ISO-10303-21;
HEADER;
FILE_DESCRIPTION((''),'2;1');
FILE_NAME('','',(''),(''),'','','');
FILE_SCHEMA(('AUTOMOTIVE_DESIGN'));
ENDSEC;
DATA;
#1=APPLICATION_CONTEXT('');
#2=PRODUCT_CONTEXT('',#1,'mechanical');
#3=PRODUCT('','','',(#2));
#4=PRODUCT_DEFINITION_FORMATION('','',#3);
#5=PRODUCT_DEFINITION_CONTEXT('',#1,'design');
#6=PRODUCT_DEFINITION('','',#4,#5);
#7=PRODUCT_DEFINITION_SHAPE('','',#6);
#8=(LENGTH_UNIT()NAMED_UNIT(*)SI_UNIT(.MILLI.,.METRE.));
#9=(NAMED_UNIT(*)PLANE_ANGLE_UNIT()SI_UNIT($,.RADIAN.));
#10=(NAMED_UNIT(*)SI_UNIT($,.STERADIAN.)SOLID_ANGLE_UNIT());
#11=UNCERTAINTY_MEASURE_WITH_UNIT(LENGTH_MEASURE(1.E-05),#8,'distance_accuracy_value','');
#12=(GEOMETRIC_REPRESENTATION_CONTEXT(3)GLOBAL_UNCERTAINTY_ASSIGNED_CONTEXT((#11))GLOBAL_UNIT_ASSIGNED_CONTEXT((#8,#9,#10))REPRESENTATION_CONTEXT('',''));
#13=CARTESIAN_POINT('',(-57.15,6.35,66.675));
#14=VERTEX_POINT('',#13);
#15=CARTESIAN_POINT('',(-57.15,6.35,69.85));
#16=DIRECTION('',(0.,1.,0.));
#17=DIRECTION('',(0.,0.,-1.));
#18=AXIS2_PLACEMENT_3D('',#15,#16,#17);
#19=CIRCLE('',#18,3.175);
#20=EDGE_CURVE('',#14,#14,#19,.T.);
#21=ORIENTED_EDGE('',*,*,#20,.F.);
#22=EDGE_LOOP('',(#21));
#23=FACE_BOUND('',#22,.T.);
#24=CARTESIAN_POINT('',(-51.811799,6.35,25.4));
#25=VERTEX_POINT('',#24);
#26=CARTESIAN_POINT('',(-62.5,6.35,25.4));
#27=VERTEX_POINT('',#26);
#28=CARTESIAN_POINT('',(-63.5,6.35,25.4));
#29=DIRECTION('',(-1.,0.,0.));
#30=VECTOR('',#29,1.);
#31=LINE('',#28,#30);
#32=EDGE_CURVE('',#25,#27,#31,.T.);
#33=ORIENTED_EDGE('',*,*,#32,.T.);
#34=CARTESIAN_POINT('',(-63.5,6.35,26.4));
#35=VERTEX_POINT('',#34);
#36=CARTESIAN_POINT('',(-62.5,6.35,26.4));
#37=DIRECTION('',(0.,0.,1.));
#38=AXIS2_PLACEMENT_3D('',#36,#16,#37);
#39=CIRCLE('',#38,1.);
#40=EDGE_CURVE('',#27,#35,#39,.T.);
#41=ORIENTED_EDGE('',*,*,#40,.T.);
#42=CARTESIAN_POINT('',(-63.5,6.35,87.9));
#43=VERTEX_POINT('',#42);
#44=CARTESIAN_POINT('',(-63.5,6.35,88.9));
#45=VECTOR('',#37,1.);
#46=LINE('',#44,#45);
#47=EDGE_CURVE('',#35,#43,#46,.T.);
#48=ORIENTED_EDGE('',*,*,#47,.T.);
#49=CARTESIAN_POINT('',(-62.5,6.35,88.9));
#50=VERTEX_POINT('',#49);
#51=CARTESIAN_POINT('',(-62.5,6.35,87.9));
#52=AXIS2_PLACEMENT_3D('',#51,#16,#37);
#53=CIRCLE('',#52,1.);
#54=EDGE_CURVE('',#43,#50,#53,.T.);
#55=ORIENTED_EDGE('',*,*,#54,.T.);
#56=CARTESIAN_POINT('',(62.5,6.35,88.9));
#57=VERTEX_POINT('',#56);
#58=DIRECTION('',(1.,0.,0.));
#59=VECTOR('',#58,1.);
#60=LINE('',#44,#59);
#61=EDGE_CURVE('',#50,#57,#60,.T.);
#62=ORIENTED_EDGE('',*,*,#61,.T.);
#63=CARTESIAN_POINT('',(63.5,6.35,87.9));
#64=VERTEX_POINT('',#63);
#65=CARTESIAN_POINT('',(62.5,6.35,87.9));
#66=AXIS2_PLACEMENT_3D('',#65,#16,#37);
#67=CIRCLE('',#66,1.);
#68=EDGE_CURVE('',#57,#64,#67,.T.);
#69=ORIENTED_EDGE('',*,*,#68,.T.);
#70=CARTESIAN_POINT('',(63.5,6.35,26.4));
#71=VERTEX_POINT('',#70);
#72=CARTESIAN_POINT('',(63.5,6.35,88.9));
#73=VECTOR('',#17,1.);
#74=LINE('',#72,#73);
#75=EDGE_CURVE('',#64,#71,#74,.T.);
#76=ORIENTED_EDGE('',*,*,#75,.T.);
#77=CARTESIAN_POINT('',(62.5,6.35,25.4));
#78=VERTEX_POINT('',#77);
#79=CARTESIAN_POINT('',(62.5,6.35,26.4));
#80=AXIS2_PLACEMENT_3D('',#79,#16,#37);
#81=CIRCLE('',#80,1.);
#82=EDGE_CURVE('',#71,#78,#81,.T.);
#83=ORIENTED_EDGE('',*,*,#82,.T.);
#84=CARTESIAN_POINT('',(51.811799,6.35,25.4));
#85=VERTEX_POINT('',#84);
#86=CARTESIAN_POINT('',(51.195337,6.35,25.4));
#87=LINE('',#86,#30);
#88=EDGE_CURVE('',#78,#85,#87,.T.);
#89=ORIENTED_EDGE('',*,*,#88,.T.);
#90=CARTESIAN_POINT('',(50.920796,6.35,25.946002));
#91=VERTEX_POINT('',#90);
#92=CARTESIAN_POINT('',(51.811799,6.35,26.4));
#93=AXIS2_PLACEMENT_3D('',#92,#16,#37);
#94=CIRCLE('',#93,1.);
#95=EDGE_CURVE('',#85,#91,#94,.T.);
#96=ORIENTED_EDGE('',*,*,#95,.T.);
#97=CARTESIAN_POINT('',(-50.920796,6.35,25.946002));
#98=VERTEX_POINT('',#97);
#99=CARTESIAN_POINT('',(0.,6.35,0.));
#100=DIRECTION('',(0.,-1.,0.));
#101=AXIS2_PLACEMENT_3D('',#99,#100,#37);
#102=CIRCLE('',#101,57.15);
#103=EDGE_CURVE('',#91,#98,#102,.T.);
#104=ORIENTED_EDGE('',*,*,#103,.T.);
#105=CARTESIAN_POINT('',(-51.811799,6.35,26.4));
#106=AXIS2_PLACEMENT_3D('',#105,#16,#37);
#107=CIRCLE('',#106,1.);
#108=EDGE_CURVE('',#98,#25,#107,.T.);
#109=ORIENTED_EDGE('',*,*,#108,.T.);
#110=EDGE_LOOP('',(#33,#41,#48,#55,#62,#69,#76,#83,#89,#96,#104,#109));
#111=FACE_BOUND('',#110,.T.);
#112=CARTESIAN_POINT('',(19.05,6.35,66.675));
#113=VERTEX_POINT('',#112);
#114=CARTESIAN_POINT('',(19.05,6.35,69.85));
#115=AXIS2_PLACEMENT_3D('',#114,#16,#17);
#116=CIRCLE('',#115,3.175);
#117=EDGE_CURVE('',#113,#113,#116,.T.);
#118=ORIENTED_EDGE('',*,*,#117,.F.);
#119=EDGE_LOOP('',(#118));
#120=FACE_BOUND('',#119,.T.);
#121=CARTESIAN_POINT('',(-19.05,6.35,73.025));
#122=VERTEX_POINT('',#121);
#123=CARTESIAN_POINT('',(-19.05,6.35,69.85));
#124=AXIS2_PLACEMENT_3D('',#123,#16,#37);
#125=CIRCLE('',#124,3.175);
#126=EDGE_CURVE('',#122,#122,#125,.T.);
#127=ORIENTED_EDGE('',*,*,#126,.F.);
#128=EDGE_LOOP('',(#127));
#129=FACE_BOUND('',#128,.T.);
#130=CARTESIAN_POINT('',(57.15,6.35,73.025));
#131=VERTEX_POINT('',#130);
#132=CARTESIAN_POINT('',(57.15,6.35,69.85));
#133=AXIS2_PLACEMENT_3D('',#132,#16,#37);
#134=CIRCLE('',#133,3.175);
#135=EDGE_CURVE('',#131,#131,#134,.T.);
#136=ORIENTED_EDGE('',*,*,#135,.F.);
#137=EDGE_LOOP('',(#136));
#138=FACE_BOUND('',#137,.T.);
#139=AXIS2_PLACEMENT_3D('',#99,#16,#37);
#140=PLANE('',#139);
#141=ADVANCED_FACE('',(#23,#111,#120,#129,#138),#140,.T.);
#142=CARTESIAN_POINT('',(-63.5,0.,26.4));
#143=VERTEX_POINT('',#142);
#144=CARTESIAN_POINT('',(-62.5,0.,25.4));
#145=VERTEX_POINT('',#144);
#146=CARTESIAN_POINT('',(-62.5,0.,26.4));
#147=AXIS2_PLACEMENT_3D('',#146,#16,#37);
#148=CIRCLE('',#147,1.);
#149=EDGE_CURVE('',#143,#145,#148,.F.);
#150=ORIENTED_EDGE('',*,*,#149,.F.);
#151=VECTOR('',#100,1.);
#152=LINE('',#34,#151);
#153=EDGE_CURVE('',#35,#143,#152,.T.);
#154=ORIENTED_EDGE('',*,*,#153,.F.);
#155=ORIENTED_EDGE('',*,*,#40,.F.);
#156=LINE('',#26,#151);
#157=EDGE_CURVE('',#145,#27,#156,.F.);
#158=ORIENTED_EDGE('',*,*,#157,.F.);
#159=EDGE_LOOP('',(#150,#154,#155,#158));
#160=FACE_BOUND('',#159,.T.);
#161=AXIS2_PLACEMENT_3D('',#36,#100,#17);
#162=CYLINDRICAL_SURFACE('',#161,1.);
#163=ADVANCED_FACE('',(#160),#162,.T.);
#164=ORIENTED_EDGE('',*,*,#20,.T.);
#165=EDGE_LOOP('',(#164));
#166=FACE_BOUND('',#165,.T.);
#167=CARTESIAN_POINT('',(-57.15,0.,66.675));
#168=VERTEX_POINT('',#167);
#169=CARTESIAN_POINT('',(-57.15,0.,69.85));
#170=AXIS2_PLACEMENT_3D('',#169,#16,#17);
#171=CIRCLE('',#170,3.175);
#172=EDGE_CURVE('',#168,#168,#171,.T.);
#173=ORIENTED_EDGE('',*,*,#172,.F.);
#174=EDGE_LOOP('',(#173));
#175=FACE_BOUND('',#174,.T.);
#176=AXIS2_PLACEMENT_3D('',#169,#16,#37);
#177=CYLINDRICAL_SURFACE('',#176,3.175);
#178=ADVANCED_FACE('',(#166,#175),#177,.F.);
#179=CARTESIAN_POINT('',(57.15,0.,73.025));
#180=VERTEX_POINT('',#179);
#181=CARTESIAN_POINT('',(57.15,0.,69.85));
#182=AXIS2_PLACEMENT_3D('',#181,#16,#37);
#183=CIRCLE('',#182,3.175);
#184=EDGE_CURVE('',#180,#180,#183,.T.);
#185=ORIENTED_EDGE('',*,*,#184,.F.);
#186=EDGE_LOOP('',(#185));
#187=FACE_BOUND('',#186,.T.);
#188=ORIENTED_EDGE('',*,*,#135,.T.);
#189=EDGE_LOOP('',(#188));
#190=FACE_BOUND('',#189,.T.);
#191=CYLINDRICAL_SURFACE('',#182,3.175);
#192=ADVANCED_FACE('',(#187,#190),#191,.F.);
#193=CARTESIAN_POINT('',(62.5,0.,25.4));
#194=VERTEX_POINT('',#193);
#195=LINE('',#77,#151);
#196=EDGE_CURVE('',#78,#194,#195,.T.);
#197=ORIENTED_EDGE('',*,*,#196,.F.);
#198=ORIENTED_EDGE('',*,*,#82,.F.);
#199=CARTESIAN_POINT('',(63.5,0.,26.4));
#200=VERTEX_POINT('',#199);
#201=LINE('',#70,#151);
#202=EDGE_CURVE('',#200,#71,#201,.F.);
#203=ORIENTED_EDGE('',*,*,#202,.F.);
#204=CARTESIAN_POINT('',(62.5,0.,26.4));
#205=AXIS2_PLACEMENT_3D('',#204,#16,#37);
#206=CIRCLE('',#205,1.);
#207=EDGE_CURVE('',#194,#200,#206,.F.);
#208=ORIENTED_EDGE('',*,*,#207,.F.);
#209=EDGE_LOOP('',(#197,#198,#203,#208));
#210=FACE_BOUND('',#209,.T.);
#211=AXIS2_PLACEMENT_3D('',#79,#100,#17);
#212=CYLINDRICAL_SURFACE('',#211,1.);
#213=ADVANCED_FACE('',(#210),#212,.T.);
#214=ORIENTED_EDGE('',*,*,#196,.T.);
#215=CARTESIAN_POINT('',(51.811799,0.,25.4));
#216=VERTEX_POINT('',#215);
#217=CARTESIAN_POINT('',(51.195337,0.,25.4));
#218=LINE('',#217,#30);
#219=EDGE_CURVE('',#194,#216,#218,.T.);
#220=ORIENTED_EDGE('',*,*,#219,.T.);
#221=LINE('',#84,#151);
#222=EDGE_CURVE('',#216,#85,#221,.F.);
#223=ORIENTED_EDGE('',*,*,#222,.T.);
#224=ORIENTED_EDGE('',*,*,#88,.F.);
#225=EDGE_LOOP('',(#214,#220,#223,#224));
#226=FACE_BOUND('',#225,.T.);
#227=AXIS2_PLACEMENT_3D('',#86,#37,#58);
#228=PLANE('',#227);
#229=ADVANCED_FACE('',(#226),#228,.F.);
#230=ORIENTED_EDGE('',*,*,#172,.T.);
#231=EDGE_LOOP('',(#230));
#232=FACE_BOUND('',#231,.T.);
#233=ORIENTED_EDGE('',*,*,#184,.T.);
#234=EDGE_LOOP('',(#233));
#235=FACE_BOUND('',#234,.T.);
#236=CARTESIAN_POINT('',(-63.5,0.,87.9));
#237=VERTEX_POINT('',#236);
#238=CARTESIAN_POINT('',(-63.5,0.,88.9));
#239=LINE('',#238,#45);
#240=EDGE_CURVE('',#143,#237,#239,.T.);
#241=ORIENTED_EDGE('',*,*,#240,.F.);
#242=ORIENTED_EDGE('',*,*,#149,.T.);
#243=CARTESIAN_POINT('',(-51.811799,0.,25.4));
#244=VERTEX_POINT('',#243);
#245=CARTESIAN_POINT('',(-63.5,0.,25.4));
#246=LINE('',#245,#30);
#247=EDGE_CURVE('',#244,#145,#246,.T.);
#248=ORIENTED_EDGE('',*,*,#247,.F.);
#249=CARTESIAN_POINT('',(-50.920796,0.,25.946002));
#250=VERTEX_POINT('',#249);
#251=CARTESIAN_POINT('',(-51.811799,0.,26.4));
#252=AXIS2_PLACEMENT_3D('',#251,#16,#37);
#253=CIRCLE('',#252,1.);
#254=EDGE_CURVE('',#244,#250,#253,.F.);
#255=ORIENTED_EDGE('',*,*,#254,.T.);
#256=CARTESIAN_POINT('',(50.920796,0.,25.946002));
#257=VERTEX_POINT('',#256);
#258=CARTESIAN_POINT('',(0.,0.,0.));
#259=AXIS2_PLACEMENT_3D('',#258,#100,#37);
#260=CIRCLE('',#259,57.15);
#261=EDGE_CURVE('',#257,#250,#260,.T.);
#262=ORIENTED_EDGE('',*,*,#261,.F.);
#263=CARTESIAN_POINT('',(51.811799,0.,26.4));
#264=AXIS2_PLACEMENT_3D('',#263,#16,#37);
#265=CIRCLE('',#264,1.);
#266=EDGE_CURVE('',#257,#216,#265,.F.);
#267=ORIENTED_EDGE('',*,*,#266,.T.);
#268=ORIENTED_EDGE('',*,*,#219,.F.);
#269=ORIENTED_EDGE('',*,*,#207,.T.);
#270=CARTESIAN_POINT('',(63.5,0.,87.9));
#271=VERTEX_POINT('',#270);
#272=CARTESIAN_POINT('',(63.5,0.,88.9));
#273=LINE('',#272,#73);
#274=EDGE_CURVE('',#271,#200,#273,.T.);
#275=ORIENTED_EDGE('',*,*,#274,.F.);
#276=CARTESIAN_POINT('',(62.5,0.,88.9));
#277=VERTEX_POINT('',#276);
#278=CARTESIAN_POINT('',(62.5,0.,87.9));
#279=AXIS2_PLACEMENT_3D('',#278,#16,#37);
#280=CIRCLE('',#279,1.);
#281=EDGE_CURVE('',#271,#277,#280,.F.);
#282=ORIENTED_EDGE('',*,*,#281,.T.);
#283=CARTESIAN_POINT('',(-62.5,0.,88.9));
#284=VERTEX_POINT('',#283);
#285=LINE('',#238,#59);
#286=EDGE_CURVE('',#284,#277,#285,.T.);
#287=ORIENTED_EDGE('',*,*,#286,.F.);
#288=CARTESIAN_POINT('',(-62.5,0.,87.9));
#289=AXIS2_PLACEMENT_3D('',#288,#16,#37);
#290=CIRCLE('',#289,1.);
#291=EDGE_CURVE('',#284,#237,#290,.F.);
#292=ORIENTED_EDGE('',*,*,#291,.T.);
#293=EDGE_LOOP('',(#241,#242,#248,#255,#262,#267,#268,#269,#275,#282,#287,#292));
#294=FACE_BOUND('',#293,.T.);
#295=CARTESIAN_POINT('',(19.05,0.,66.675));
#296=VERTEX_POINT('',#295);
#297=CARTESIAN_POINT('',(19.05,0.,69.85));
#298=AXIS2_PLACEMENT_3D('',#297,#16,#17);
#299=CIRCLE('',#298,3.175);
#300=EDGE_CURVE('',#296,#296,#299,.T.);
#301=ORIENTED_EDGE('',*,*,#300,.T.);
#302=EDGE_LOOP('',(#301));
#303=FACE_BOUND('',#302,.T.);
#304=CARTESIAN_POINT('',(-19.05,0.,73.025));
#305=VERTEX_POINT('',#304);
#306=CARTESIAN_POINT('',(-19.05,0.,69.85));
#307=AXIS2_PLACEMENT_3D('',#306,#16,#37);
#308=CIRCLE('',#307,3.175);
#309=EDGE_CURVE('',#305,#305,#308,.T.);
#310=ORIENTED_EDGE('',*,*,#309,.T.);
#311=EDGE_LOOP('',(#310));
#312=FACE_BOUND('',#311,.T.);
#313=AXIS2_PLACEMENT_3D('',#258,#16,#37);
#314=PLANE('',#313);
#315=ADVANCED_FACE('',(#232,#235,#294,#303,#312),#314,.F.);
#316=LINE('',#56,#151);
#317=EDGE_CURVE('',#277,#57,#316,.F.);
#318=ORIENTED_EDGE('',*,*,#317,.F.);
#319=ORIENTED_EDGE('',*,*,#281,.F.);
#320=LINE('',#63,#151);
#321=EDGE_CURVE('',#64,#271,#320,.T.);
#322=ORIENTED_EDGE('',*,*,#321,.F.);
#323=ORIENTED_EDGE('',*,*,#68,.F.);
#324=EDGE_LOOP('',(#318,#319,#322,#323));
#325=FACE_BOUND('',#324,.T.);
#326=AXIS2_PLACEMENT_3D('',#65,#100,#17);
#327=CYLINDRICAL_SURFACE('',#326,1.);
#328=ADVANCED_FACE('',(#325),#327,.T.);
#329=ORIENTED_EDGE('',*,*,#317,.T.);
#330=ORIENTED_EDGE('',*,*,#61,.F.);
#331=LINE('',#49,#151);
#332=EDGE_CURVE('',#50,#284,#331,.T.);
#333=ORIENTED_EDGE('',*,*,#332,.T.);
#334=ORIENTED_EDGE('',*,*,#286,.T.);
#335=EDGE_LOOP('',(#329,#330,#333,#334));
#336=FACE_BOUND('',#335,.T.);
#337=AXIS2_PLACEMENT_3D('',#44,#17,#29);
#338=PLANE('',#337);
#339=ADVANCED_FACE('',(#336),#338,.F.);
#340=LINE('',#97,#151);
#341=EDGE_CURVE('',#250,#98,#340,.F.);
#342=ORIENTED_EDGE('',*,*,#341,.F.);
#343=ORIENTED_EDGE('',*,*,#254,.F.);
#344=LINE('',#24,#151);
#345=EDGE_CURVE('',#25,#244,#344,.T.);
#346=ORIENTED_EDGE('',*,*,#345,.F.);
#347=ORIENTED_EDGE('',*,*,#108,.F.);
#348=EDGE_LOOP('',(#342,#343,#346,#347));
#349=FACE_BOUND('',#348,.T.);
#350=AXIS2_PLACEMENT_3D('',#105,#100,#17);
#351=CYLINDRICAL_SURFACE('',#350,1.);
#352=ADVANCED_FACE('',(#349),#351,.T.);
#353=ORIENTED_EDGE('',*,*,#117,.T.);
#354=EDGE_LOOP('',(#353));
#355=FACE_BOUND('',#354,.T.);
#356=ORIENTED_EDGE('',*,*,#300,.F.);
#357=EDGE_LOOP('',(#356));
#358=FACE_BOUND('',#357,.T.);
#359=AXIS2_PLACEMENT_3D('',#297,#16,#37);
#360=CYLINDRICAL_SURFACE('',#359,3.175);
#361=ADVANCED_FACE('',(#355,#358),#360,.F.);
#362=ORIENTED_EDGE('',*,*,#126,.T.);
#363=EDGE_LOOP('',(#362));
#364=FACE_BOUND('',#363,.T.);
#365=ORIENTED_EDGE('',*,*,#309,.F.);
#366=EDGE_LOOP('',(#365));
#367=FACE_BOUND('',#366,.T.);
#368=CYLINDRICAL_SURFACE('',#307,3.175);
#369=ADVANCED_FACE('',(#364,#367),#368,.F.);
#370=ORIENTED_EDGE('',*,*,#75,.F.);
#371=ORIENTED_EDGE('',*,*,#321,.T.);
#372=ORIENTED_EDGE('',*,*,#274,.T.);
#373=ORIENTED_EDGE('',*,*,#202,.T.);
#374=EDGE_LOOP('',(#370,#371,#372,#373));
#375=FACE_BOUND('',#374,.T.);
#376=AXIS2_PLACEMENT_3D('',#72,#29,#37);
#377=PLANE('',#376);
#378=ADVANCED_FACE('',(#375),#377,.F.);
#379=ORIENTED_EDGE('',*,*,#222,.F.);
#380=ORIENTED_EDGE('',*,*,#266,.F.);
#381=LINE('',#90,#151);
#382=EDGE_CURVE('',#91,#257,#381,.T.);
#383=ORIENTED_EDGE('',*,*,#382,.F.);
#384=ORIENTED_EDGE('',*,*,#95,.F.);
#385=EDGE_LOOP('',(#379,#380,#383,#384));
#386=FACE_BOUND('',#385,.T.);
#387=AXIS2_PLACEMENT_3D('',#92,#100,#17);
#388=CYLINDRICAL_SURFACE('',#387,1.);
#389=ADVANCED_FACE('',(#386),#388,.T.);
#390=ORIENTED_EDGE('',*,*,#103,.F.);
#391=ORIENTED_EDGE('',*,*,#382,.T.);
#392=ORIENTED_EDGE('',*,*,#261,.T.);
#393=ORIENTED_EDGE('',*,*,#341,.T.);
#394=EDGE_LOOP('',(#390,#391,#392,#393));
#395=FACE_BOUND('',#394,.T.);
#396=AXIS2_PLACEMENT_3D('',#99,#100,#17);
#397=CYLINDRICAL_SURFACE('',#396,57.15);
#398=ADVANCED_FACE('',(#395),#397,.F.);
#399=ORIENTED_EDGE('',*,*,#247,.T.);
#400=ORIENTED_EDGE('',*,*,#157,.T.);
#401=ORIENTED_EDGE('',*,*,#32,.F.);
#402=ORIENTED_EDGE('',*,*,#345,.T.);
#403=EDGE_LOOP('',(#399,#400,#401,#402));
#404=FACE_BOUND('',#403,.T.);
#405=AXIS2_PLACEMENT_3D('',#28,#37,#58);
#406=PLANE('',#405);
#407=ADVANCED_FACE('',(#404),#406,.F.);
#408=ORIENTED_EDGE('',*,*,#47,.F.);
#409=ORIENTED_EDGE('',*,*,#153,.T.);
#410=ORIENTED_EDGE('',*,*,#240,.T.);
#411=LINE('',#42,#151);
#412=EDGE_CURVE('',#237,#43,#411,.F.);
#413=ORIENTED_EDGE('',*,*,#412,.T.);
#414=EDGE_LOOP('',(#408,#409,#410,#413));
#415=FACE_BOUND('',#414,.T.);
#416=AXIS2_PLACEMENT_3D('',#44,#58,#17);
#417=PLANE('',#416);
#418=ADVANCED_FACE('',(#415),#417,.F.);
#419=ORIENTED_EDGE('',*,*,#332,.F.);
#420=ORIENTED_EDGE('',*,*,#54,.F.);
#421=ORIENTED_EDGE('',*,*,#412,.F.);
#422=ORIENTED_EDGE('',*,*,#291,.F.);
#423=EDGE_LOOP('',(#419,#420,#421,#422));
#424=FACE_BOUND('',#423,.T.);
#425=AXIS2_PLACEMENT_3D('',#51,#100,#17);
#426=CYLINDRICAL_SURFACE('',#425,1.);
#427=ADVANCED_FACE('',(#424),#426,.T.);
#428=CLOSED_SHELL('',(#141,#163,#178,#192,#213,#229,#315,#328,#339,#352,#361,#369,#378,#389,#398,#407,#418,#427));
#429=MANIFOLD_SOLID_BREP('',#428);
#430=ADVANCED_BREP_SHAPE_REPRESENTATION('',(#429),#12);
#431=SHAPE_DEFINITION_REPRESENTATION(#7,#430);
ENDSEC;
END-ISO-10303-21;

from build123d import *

# Parameters (mm, degrees)
BOSS_EXTRUDE1_DEPTH = 6.35
SKETCH2_R           = 3.175
CUT_EXTRUDE1_DEPTH  = 110.433918417
FILLET1_R           = 1


with BuildPart() as part:
    # Sketch1 → Boss-Extrude1 (new body)
    with BuildSketch(Plane(origin=(0, 0, 0), x_dir=(1, 0, 0), z_dir=(0, 1, 0))):
        with BuildLine():
            Line((51.195336702, -25.4), (63.5, -25.4))
            Line((63.5, -25.4), (63.5, -88.9))
            Line((63.5, -88.9), (-63.5, -88.9))
            Line((-63.5, -88.9), (-63.5, -25.4))
            Line((-63.5, -25.4), (-51.195336702, -25.4))
            ThreePointArc((-51.195336702, -25.4), (0, -57.15), (51.195336702, -25.4))
        make_face()
    extrude(amount=BOSS_EXTRUDE1_DEPTH)

    # Sketch2 → Cut-Extrude1 (cut, through all)
    with BuildSketch(Plane(origin=(0, 6.35, 0), x_dir=(-1, 0, 0), z_dir=(0, 1, 0))):
        with Locations(Location((19.05, 69.85, 0), (0, 0, 90))):
            Circle(SKETCH2_R)
        with Locations(Location((-19.05, 69.85, 0), (0, 0, 270))):
            Circle(SKETCH2_R)
        with Locations(Location((-57.15, 69.85, 0), (0, 0, 90))):
            Circle(SKETCH2_R)
        with Locations(Location((57.15, 69.85, 0), (0, 0, 270))):
            Circle(SKETCH2_R)
    extrude(amount=-CUT_EXTRUDE1_DEPTH, mode=Mode.SUBTRACT)

    # Fillet1
    fillet1_edges = [part.edges().sort_by_distance(p)[0] for p in [
        (-63.5, 3.175, 25.4),
        (-51.195336702, 3.175, 25.4),
        (51.195336702, 3.175, 25.4),
        (63.5, 3.175, 25.4),
        (63.5, 3.175, 88.9),
        (-63.5, 3.175, 88.9),
    ]]
    fillet(fillet1_edges, radius=FILLET1_R)


solid = part.part
